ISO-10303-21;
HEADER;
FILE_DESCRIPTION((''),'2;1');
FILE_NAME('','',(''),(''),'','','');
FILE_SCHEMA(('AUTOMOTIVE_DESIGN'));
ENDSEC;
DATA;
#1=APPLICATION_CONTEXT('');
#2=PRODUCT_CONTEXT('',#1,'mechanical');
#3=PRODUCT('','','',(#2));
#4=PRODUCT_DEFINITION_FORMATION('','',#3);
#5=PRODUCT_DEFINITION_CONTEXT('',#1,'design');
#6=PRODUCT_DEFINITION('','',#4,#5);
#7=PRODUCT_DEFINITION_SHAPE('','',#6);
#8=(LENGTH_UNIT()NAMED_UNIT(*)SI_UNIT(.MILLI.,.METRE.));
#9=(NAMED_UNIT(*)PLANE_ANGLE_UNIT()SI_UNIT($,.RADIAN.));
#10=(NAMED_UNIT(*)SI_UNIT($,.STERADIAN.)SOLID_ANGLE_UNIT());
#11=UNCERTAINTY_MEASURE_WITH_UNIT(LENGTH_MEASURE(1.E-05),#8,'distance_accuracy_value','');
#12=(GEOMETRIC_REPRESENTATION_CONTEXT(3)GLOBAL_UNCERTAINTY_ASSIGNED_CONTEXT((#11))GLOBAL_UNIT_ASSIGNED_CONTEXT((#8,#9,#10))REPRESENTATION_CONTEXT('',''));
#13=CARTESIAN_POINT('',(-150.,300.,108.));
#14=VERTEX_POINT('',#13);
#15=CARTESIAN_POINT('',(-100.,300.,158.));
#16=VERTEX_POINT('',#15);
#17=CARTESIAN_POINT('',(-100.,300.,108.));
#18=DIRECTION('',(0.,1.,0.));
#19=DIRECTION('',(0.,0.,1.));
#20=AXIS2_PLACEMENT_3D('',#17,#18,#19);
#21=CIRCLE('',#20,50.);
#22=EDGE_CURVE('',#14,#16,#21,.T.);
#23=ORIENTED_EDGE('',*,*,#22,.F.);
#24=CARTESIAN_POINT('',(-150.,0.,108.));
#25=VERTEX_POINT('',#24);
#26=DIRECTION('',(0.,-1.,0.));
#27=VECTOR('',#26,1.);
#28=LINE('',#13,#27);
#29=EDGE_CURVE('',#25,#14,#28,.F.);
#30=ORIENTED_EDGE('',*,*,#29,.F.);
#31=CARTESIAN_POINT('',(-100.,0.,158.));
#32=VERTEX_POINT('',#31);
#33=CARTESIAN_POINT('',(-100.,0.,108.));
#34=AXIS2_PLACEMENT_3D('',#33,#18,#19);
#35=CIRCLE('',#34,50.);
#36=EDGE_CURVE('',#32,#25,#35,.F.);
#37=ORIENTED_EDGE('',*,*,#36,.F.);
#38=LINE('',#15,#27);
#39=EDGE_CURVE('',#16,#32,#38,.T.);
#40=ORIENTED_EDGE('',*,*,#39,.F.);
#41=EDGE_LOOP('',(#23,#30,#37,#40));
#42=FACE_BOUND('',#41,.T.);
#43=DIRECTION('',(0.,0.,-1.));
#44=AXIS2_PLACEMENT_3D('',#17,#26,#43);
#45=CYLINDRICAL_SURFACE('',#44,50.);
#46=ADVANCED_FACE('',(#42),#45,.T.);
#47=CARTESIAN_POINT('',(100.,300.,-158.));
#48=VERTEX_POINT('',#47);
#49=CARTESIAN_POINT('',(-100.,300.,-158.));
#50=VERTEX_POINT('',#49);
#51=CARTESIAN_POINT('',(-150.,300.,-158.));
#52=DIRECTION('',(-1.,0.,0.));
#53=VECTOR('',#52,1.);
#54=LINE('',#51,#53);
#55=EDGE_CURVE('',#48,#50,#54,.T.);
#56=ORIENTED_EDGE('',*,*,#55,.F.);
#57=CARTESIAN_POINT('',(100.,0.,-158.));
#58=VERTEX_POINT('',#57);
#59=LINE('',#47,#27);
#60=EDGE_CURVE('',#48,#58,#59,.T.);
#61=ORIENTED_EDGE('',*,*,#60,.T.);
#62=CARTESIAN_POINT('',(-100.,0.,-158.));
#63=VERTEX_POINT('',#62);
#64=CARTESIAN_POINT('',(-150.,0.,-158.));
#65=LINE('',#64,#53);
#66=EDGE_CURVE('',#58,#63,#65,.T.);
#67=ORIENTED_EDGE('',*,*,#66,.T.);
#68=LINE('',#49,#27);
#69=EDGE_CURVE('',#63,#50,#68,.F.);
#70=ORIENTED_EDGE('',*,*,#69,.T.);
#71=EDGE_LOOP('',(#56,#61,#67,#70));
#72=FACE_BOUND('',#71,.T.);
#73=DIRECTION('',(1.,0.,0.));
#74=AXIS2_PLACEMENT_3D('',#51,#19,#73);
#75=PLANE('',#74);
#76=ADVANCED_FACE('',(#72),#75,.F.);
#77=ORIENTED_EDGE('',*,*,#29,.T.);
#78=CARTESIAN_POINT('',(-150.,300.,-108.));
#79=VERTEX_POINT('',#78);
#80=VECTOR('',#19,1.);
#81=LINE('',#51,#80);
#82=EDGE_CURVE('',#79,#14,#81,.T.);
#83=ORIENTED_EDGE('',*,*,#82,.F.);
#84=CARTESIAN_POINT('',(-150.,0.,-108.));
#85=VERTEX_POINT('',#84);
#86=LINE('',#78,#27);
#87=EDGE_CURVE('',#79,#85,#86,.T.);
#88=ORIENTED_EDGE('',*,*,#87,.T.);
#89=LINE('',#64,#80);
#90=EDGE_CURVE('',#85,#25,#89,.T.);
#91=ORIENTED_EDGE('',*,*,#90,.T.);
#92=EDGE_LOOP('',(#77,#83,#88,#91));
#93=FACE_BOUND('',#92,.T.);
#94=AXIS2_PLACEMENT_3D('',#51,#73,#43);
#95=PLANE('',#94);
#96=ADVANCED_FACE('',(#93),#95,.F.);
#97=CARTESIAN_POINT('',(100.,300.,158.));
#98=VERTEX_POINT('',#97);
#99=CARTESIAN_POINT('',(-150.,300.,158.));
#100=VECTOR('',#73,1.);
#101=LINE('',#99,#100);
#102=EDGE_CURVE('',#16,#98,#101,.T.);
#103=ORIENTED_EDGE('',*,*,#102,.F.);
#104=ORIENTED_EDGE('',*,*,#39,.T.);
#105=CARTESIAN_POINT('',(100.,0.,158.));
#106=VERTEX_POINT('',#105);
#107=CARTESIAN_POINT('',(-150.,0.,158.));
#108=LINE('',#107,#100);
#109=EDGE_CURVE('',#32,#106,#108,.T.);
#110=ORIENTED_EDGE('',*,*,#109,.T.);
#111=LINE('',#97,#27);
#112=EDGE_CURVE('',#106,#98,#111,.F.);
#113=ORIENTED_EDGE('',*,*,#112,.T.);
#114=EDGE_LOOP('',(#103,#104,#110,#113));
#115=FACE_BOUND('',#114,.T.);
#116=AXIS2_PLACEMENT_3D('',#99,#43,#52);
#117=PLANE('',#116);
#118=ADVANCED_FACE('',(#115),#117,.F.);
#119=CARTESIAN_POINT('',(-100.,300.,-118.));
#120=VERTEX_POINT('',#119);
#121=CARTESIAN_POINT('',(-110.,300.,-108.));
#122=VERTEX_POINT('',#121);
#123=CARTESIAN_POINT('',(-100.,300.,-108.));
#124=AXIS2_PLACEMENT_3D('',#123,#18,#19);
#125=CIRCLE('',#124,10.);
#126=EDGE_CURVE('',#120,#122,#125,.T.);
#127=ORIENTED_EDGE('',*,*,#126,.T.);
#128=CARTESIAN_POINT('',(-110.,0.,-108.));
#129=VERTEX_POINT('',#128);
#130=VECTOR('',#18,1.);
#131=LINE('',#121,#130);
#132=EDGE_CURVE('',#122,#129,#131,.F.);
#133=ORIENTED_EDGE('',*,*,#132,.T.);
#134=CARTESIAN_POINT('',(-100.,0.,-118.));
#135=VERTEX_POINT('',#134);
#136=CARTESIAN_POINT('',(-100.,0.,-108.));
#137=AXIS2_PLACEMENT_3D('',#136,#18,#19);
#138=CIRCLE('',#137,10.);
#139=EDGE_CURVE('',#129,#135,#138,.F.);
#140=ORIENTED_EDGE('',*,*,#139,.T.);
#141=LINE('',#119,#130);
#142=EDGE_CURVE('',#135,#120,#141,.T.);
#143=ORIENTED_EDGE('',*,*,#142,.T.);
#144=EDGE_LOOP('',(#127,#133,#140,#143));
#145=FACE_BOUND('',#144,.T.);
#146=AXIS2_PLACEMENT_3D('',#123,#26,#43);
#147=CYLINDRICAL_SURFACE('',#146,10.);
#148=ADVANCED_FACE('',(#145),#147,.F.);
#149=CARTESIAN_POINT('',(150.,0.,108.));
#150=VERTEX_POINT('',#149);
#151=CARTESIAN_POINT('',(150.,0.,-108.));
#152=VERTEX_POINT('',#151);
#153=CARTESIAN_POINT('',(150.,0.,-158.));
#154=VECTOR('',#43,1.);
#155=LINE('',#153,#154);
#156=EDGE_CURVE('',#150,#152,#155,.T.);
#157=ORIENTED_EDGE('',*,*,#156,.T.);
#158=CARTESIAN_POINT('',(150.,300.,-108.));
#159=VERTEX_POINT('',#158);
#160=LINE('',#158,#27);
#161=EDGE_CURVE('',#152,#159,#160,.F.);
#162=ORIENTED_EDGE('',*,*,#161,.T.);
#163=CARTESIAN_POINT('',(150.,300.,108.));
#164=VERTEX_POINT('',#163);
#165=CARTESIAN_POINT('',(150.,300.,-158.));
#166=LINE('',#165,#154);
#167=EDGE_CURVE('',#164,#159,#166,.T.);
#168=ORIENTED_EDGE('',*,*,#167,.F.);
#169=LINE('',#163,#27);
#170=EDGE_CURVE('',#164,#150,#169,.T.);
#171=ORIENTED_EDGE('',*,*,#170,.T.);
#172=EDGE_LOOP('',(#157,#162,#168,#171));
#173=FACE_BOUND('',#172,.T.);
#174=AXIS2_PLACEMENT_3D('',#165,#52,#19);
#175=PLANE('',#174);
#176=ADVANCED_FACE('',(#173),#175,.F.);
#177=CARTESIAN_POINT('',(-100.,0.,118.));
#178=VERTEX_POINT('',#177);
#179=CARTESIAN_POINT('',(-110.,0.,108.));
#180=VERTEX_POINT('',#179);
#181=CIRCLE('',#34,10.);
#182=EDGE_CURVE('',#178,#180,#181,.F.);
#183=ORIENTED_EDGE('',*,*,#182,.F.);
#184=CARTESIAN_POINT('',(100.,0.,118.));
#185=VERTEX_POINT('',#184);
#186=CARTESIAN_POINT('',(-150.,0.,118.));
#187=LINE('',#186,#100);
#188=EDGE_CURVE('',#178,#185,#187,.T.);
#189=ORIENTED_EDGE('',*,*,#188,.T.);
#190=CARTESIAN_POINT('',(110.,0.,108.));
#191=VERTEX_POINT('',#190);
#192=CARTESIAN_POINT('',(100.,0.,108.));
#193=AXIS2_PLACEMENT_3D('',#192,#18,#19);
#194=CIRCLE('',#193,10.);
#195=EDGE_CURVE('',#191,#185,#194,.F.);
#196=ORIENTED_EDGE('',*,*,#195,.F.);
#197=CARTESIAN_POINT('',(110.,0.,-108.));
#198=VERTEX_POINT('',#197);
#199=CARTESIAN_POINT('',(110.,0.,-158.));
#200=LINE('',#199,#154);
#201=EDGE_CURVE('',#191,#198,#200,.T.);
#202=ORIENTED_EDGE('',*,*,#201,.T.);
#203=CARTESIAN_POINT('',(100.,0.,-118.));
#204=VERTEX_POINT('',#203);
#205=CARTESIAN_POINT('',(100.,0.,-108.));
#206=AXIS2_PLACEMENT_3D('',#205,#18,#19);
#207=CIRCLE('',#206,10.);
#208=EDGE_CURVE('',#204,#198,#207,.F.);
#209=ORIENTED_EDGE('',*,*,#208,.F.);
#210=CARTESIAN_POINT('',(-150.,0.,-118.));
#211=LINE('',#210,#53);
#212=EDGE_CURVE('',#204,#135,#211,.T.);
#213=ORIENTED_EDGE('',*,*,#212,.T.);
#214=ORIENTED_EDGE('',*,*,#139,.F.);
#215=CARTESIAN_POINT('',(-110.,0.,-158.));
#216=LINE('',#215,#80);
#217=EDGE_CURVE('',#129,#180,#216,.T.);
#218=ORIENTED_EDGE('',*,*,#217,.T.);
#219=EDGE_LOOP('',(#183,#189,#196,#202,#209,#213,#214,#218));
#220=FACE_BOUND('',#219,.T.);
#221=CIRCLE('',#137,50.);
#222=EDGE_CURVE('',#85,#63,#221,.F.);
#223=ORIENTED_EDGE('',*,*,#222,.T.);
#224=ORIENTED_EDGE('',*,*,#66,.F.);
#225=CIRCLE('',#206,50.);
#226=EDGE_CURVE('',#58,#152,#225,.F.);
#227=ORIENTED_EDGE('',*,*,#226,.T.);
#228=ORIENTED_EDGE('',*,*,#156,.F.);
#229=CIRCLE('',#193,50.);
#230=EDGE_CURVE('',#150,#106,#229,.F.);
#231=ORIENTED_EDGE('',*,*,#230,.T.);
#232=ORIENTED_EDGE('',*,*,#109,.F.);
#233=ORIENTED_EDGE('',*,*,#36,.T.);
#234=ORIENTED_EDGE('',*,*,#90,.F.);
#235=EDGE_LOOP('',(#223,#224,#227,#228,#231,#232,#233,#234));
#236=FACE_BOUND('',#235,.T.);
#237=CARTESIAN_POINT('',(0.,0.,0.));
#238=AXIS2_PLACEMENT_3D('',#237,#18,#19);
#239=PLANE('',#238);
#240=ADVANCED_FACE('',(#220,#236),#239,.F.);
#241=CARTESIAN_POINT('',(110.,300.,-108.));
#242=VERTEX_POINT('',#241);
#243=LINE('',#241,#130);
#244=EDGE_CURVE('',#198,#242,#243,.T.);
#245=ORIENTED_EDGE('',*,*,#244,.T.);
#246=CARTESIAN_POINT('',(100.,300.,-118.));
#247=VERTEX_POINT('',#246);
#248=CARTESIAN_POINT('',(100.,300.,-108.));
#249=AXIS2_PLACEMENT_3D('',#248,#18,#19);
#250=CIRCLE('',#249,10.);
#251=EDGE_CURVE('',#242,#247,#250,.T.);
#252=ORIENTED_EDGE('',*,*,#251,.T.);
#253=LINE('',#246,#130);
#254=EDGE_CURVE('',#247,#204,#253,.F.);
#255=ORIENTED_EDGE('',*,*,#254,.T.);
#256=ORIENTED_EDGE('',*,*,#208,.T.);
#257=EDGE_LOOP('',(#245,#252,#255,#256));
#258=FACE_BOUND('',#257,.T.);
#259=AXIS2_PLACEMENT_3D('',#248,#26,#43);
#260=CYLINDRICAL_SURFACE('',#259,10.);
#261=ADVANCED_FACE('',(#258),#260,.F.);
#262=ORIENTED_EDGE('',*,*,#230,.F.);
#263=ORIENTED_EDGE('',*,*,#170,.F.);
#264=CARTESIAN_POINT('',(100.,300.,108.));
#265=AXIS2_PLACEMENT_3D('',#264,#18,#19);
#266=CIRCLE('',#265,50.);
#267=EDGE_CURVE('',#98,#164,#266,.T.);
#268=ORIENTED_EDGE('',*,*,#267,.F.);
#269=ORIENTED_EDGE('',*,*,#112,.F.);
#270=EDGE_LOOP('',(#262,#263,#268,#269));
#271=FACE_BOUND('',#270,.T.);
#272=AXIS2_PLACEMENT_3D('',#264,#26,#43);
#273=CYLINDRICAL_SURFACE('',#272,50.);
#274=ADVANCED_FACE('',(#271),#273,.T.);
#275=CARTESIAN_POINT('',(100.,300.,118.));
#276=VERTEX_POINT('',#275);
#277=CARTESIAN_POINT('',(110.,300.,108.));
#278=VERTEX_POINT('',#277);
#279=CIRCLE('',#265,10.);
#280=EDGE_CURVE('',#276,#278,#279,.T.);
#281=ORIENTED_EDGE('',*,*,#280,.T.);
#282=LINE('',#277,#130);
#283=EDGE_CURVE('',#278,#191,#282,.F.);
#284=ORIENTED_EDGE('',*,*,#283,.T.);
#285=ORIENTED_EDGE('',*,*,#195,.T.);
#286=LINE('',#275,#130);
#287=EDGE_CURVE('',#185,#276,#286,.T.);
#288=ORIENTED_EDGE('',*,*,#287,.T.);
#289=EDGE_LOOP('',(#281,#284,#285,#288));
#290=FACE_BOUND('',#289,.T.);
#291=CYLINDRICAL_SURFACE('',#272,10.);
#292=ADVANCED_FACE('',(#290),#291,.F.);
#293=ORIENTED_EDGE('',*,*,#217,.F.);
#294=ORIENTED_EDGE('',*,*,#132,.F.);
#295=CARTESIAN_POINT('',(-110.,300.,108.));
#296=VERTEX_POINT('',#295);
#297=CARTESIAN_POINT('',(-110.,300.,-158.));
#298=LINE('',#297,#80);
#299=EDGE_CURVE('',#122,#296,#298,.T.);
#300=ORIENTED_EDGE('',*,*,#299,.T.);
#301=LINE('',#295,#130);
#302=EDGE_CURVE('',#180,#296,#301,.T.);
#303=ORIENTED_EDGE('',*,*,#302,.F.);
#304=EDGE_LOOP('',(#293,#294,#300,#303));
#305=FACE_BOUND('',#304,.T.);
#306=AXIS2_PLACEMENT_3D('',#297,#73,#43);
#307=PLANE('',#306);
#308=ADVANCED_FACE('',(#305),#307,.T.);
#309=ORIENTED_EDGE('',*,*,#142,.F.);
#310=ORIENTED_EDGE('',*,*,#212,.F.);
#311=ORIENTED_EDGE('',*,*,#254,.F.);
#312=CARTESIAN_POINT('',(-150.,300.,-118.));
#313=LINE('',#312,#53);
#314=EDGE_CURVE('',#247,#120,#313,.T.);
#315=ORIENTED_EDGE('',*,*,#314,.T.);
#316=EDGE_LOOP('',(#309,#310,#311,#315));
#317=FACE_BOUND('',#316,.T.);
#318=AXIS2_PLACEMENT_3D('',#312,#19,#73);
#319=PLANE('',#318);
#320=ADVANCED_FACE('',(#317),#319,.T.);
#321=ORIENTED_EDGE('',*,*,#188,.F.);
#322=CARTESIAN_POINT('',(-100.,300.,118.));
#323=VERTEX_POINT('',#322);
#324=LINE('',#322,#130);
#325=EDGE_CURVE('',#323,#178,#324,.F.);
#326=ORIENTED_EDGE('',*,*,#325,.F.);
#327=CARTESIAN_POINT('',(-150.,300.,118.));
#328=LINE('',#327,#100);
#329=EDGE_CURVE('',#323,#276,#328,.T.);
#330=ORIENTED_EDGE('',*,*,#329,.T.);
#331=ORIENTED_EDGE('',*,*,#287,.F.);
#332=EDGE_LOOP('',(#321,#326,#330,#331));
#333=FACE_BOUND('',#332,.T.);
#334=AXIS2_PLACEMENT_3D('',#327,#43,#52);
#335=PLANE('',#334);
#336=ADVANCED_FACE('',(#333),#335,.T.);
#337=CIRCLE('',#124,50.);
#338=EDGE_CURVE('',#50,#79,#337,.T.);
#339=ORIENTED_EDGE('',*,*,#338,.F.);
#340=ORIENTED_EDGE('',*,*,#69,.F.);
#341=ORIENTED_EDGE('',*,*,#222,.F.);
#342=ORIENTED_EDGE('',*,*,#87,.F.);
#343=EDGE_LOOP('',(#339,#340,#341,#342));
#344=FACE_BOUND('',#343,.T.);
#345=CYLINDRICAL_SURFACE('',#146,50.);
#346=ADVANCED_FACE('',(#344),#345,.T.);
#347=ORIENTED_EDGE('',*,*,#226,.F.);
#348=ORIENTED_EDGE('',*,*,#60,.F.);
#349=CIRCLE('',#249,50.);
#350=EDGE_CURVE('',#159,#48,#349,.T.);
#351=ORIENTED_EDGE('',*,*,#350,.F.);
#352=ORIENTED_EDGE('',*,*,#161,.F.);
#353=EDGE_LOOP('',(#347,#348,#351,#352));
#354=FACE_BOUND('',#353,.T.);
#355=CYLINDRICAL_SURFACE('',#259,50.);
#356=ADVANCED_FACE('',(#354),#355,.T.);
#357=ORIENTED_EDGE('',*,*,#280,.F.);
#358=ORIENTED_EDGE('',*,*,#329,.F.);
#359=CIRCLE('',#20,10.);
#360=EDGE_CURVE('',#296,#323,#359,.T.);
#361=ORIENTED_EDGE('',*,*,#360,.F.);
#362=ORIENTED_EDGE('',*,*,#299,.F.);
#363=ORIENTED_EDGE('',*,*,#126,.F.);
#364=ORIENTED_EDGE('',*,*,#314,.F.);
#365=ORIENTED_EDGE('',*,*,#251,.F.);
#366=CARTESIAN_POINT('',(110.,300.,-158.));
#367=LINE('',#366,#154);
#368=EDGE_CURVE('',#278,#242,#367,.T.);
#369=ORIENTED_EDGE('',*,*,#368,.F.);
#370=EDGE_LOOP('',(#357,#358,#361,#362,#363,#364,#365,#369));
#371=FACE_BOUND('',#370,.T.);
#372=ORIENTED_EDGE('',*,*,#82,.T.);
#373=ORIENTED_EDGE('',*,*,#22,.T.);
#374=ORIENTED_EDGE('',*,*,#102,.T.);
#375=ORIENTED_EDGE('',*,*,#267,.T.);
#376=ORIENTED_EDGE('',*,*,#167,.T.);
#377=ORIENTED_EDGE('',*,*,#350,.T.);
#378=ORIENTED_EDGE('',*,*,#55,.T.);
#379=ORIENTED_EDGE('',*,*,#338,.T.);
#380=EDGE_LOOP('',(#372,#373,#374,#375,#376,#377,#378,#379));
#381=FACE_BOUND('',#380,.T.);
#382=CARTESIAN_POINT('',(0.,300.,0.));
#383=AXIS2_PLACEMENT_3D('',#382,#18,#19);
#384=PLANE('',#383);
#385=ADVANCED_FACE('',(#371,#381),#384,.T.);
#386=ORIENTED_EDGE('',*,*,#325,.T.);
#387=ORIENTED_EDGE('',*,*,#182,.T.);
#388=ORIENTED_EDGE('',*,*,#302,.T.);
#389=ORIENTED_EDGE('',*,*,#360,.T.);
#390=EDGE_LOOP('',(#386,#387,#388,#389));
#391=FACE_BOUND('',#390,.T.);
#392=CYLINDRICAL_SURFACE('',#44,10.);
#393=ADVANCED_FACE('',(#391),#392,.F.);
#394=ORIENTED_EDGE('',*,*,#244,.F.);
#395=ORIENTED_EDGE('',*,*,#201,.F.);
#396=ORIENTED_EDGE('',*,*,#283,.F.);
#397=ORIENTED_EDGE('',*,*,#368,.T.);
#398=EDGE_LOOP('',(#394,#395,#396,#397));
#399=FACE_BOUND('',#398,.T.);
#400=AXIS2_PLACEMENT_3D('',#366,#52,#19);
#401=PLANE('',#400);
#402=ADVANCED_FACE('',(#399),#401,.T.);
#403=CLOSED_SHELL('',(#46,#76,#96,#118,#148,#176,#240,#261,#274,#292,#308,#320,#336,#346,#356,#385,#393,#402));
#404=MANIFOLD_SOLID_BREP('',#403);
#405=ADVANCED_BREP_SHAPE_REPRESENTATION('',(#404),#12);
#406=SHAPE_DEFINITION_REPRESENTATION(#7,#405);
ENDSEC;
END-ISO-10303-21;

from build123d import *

# Parameters (mm, degrees)
SKETCH1_W           = 300
SKETCH1_H           = 316
BOSS_EXTRUDE1_DEPTH = 300
FILLET1_R           = 50
SHELL1_T            = -40


with BuildPart() as part:
    # Sketch1 → Boss-Extrude1 (new body)
    with BuildSketch(Plane(origin=(0, 0, 0), x_dir=(1, 0, 0), z_dir=(0, 1, 0))):
        Rectangle(SKETCH1_W, SKETCH1_H)
    extrude(amount=BOSS_EXTRUDE1_DEPTH)

    # Fillet1
    fillet1_edges = [part.edges().sort_by_distance(p)[0] for p in [
        (-150, 150, -158),
        (150, 150, -158),
        (150, 150, 158),
        (-150, 150, 158),
    ]]
    fillet(fillet1_edges, radius=FILLET1_R)

    # Shell1
    shell1_openings = [part.faces().sort_by_distance(p)[0] for p in [
        (0, 300, 0),
        (0, 0, 0),
    ]]
    offset(amount=SHELL1_T, openings=shell1_openings, kind=Kind.INTERSECTION)


solid = part.part
